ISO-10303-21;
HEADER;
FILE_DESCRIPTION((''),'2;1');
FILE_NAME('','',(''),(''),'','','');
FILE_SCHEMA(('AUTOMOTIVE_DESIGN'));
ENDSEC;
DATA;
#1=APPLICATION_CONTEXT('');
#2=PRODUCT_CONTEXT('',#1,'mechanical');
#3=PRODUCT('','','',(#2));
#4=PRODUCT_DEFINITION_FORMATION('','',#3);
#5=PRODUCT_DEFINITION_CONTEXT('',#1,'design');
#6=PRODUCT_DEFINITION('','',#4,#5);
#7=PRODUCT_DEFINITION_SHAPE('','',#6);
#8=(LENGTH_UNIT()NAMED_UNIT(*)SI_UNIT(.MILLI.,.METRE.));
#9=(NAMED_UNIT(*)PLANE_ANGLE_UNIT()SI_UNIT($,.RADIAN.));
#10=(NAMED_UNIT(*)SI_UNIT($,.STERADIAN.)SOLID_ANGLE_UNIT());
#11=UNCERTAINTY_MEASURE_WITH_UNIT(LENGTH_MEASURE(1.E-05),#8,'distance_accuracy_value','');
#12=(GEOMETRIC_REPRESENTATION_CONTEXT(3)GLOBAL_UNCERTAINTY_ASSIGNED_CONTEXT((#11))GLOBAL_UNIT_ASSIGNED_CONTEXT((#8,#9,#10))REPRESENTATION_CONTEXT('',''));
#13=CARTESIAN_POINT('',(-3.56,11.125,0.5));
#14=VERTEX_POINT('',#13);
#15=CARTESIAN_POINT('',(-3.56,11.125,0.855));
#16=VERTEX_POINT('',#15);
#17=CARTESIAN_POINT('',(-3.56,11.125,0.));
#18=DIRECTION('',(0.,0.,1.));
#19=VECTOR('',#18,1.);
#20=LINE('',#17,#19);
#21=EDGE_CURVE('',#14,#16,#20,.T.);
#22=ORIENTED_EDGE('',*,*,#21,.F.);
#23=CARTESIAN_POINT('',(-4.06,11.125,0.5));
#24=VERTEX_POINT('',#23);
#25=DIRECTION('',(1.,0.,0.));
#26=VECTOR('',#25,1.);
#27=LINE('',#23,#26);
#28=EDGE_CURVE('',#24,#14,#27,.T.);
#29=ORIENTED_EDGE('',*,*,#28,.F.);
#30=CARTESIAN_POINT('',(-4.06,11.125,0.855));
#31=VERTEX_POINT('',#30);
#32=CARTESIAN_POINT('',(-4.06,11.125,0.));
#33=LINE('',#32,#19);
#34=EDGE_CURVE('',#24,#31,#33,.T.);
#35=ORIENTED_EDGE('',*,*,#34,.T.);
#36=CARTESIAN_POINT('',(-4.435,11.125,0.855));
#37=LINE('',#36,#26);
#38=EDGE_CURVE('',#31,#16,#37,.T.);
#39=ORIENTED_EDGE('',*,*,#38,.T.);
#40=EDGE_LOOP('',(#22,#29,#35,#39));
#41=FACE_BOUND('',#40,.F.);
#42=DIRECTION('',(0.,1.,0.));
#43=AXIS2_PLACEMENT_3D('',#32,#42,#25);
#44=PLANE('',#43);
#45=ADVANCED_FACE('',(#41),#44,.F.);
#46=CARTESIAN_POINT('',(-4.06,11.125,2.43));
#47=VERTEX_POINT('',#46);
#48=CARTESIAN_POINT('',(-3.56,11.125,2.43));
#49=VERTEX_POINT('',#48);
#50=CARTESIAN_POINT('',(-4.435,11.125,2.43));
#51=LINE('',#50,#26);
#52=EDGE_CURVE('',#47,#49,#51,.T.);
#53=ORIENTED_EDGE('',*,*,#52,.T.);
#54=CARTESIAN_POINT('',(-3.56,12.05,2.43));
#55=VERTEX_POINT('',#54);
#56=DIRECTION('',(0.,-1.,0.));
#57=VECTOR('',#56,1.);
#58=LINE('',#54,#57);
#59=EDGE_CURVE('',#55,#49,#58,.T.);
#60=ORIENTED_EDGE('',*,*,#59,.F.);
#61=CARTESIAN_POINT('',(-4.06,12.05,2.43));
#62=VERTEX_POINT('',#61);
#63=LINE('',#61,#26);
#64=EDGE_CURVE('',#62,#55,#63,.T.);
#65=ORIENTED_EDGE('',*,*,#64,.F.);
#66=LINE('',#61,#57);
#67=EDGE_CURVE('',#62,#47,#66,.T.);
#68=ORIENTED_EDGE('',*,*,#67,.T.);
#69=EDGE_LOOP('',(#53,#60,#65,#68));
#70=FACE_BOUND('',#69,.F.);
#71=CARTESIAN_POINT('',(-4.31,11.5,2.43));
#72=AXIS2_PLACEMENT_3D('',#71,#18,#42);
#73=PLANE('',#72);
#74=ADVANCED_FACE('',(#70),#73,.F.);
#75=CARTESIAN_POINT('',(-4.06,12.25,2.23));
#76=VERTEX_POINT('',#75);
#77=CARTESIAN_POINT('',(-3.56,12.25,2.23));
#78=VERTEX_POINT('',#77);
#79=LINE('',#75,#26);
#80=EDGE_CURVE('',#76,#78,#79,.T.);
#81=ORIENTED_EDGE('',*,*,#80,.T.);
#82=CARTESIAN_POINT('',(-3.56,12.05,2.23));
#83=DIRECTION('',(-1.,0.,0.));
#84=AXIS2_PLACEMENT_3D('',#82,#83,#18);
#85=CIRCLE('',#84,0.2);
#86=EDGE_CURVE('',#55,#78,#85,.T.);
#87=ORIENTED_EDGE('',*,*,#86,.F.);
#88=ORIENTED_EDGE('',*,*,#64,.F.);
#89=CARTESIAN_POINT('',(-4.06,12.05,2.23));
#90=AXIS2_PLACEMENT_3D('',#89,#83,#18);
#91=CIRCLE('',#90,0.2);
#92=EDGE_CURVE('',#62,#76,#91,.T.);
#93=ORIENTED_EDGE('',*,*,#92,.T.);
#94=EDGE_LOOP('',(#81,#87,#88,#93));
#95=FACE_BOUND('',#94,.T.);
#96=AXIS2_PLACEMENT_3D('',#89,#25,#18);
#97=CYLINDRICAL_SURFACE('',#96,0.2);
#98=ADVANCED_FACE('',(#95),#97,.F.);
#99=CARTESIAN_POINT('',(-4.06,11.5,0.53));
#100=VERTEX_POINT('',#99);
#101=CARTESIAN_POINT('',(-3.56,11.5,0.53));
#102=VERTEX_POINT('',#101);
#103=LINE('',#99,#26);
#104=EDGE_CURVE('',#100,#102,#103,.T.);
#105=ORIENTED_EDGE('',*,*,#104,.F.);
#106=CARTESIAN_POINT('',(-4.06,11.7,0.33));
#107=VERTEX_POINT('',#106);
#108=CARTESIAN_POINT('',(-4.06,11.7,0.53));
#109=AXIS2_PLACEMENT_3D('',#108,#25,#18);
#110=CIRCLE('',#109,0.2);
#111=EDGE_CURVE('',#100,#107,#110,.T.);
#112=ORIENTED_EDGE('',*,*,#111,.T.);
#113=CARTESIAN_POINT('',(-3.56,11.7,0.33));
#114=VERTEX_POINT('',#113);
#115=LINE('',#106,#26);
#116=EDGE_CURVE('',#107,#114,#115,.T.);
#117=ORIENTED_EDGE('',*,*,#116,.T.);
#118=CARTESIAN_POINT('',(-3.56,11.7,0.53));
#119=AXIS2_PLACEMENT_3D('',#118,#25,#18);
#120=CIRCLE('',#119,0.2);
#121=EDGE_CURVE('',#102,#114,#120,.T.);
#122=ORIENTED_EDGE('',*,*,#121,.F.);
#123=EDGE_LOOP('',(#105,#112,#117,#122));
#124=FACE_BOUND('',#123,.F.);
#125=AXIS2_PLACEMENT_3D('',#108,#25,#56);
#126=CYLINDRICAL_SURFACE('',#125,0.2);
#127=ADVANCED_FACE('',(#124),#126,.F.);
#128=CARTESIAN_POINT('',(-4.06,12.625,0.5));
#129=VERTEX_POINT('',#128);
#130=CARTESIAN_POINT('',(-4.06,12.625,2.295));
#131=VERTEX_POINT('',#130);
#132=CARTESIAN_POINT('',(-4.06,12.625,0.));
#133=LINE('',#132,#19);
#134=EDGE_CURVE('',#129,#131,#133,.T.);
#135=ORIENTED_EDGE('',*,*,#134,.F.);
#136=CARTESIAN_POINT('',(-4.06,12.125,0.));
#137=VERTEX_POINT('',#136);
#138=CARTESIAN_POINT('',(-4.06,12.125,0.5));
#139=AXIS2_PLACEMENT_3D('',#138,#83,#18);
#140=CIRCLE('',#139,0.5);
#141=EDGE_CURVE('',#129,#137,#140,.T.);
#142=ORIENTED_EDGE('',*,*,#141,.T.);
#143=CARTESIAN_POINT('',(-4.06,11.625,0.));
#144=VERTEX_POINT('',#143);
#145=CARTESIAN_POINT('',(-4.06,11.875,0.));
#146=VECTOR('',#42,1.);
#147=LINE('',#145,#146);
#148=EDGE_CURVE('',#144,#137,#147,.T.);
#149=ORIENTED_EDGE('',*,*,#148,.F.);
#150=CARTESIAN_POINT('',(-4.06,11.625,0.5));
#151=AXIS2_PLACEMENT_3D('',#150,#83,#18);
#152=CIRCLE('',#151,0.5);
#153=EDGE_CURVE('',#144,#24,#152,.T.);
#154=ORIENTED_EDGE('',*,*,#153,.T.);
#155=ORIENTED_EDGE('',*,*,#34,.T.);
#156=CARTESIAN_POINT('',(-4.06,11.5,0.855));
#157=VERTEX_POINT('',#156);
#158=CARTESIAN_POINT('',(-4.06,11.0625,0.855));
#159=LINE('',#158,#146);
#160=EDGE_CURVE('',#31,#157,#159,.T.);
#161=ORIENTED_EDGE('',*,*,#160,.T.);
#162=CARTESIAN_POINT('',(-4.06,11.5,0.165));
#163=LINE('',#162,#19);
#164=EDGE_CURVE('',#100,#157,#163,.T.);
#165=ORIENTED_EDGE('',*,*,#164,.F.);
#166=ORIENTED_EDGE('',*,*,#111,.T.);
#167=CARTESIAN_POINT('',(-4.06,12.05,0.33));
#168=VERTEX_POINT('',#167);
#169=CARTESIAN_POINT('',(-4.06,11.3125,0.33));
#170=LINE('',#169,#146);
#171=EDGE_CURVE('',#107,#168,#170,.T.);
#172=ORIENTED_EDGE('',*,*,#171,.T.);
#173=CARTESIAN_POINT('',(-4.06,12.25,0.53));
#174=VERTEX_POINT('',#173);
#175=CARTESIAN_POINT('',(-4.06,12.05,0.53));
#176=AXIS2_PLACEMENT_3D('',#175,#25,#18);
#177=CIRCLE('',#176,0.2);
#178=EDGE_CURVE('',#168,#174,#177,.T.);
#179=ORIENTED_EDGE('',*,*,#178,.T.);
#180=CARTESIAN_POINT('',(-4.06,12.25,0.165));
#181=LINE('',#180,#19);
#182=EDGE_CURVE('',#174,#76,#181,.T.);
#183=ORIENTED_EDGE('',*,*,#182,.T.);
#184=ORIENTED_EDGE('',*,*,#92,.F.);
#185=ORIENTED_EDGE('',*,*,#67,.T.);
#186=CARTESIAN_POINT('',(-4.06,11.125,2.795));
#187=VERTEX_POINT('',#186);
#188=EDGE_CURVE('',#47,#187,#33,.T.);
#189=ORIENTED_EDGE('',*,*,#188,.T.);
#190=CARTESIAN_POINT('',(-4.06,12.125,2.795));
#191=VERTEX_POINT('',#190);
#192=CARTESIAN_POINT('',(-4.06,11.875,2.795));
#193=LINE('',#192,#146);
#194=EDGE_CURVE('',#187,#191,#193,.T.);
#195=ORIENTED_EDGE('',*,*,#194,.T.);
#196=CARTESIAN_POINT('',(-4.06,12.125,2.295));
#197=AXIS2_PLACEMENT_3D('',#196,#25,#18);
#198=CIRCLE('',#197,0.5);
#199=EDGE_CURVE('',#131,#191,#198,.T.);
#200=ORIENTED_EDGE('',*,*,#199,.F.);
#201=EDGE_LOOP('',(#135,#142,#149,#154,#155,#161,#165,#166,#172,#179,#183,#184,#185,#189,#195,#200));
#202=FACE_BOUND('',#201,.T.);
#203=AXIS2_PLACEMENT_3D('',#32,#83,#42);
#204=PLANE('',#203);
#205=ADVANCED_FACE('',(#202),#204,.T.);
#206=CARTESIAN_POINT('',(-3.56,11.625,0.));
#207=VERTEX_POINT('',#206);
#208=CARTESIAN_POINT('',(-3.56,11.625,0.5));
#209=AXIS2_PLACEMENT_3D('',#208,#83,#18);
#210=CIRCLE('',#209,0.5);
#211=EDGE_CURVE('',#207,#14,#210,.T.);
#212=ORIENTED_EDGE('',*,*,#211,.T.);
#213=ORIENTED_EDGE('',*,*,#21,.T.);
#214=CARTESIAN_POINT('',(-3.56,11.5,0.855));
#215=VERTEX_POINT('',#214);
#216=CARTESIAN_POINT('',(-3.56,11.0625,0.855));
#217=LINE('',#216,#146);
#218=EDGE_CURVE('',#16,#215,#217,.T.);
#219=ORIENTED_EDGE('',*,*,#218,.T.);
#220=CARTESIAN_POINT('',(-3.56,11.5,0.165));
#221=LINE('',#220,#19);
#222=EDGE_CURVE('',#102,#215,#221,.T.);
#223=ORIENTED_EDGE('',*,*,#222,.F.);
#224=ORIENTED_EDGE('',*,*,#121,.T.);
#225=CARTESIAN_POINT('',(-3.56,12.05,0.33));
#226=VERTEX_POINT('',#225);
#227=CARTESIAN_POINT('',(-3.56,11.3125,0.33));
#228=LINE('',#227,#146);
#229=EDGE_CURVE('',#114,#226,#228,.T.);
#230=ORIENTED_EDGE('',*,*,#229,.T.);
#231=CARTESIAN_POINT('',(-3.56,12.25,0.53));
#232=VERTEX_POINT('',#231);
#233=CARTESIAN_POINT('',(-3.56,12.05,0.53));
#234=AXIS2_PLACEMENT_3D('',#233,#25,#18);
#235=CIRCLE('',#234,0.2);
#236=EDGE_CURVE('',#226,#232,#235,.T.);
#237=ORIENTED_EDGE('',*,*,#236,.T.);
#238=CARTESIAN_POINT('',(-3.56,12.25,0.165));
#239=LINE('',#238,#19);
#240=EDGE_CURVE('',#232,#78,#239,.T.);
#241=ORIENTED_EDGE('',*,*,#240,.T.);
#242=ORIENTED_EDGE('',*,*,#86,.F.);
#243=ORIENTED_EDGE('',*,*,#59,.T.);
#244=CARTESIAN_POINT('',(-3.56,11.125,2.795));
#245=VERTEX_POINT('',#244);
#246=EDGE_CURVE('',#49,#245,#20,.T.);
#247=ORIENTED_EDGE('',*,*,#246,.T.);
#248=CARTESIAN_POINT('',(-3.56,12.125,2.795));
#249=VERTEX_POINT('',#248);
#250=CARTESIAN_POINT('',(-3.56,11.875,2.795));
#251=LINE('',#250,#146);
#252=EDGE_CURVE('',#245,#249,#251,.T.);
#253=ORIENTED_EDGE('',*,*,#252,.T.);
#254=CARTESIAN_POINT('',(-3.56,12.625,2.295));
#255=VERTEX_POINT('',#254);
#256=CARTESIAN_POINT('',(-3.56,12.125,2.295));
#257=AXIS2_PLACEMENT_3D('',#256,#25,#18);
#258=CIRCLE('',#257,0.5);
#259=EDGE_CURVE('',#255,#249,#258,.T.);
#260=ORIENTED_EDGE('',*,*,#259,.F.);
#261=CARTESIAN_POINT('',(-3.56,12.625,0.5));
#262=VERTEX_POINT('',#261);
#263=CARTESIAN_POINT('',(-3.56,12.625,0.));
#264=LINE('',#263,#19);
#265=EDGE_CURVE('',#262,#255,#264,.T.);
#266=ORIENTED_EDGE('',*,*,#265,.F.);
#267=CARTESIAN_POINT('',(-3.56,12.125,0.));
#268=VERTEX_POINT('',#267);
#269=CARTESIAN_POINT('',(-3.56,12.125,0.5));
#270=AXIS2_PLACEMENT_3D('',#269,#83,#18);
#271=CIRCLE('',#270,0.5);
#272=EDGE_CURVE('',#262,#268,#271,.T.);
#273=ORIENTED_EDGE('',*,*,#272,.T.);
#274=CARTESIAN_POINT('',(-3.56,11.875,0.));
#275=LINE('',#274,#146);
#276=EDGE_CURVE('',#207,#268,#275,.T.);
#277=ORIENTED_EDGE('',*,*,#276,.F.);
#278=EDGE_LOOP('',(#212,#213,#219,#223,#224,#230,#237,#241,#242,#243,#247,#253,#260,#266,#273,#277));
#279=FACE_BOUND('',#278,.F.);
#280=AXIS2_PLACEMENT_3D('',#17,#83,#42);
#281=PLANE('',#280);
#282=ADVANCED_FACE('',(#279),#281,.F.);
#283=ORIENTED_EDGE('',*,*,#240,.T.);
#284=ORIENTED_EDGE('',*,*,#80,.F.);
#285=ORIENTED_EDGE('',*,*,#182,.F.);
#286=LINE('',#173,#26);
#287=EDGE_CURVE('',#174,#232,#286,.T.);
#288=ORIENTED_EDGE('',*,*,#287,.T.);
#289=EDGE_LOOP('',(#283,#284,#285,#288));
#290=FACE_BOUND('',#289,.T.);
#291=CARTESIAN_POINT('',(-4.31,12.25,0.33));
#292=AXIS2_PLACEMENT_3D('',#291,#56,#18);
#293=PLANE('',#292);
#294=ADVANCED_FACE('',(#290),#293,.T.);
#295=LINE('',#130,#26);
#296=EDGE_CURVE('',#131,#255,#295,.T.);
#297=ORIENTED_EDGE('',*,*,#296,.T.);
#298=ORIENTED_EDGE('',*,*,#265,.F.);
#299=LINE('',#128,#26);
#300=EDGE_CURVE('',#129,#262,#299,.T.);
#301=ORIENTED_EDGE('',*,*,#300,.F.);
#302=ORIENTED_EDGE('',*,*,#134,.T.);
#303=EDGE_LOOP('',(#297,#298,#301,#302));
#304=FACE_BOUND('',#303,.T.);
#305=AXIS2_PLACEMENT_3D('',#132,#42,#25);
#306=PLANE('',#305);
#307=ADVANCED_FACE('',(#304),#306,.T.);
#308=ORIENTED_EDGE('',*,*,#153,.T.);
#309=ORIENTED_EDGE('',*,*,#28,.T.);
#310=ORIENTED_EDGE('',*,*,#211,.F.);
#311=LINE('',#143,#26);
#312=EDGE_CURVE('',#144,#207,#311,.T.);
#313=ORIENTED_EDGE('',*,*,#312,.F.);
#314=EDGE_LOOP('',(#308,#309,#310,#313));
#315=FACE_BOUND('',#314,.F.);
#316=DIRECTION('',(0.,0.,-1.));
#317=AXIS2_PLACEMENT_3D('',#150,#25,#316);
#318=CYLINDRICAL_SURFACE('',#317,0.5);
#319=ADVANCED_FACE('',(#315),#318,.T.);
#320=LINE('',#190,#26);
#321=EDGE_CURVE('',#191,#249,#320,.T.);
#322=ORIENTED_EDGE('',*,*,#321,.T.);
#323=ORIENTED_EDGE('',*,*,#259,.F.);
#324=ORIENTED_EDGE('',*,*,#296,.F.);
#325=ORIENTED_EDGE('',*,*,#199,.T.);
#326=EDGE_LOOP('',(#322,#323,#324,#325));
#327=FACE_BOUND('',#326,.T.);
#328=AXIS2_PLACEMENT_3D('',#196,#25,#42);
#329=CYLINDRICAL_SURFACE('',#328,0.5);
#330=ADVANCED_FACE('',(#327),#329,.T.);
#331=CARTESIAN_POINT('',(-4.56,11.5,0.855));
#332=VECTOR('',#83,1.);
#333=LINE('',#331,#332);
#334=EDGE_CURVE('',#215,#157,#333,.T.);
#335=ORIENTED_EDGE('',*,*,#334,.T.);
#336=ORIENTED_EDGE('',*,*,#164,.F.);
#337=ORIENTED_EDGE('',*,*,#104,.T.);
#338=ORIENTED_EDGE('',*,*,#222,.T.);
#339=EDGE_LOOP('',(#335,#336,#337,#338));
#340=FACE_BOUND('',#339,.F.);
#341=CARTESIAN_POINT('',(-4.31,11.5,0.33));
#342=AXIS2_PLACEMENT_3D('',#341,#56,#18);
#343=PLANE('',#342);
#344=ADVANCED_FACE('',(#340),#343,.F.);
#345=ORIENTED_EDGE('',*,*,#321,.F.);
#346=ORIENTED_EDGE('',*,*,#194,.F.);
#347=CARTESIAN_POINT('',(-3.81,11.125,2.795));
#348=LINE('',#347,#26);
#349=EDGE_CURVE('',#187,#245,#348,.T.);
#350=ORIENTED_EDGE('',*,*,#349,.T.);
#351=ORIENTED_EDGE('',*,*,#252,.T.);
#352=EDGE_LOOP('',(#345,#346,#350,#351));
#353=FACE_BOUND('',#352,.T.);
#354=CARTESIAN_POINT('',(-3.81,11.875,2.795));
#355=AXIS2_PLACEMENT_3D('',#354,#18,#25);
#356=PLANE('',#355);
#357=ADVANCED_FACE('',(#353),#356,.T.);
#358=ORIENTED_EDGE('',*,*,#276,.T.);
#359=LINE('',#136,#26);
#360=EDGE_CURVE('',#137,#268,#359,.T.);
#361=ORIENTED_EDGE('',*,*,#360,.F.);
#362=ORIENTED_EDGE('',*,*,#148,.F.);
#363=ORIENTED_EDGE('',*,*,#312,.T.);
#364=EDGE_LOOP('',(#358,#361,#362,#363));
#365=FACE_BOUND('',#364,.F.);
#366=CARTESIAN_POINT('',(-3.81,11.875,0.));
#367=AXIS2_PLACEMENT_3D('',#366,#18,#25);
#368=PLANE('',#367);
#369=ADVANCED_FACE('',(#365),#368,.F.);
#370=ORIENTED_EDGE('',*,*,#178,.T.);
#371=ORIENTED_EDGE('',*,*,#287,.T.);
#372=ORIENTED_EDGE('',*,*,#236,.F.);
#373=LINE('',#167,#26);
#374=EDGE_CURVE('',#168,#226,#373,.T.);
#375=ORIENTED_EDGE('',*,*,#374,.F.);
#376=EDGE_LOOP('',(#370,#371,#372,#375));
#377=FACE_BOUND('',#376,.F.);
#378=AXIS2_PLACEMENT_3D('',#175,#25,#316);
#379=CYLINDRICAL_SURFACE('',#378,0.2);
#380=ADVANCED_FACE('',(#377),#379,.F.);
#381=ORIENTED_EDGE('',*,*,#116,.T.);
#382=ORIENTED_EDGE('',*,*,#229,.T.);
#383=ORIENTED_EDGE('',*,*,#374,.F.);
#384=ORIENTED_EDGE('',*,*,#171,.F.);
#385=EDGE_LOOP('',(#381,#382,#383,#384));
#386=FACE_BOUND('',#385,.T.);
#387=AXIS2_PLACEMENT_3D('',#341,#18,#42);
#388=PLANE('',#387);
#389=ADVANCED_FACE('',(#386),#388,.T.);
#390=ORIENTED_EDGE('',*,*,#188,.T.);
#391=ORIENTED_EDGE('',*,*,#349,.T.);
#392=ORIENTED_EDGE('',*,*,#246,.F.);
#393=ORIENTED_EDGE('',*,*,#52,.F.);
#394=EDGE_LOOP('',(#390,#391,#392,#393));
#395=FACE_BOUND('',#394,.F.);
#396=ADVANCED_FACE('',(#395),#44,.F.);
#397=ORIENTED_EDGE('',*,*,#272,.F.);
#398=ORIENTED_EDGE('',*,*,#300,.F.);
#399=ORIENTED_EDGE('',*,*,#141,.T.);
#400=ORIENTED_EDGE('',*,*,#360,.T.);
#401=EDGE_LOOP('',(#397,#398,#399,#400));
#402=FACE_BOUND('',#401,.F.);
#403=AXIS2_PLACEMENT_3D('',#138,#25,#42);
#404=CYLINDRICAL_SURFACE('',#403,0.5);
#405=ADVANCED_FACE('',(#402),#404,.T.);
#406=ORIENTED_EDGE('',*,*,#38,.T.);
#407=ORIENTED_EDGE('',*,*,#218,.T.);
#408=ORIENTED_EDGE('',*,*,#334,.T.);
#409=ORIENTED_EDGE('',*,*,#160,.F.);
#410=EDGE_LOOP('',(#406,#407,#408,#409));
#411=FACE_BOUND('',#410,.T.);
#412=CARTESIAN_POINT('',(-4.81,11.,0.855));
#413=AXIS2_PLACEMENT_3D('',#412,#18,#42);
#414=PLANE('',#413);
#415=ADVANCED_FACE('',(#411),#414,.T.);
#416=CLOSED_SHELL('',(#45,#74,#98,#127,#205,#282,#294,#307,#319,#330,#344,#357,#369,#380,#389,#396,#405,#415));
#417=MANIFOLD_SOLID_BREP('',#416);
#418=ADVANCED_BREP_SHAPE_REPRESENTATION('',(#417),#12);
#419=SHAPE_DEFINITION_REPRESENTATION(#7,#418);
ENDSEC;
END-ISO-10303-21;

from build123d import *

# Parameters (mm, degrees)
BOX141_W     = 0.5
BOX141_H     = 1.5
BOX141_DEPTH = 2.795
FILLET314_R  = 0.5
FILLET333_R  = 0.5
FILLET323_R  = 0.5
BOX118_W     = 0.75
BOX118_H     = 2.1
BOX118_DEPTH = 1
FILLET258_R  = 0.2
FILLET334_R  = 0.2
FILLET330_R  = 0.2
FILLET322_R  = 0.2
BOX143_W     = 1
BOX143_H     = 1.575
BOX143_DEPTH = 3


with BuildPart() as part:
    # Box141 → Box141 (join)
    with BuildSketch(Plane(origin=(-0.25, 11.125, 0), x_dir=(1, 0, 0), z_dir=(0, 0, 1))):
        with Locations((0.25, 0.75)):
            Rectangle(BOX141_W, BOX141_H)
    extrude(amount=BOX141_DEPTH)

    # Fillet314
    fillet314_edges = [part.edges().sort_by_distance(p)[0] for p in [
        (0, 12.625, 0),
    ]]
    fillet(fillet314_edges, radius=FILLET314_R)

    # Fillet333
    fillet333_edges = [part.edges().sort_by_distance(p)[0] for p in [
        (0, 12.625, 2.795),
    ]]
    fillet(fillet333_edges, radius=FILLET333_R)

    # Fillet323
    fillet323_edges = [part.edges().sort_by_distance(p)[0] for p in [
        (0, 11.125, 0),
    ]]
    fillet(fillet323_edges, radius=FILLET323_R)

    # Box118 → Box118 (cut)
    with BuildSketch(Plane(origin=(-0.5, 11.5, 0.33), x_dir=(0, 1, 0), z_dir=(1, 0, 0))):
        with Locations((0.375, 1.05)):
            Rectangle(BOX118_W, BOX118_H)
    extrude(amount=BOX118_DEPTH, mode=Mode.SUBTRACT)

    # Fillet258
    fillet258_edges = [part.edges().sort_by_distance(p)[0] for p in [
        (0, 11.5, 0.33),
    ]]
    fillet(fillet258_edges, radius=FILLET258_R)

    # Fillet334
    fillet334_edges = [part.edges().sort_by_distance(p)[0] for p in [
        (0, 12.25, 0.33),
    ]]
    fillet(fillet334_edges, radius=FILLET334_R)

    # Fillet330
    fillet330_edges = [part.edges().sort_by_distance(p)[0] for p in [
        (0, 11.5, 2.43),
    ]]
    fillet(fillet330_edges, radius=FILLET330_R)

    # Fillet322
    fillet322_edges = [part.edges().sort_by_distance(p)[0] for p in [
        (0, 12.25, 2.43),
    ]]
    fillet(fillet322_edges, radius=FILLET322_R)

    # Box143 → Box143 (cut)
    with BuildSketch(Plane(origin=(-1, 11, 0.855), x_dir=(0, 1, 0), z_dir=(1, 0, 0))):
        with Locations((0.5, 0.7875)):
            Rectangle(BOX143_W, BOX143_H)
    extrude(amount=BOX143_DEPTH, mode=Mode.SUBTRACT)


with BuildPart() as part_1:
    # Body047 placement: moved
    add(part.part.moved(Location((-3.81, 0, 0))))


solid = part_1.part
